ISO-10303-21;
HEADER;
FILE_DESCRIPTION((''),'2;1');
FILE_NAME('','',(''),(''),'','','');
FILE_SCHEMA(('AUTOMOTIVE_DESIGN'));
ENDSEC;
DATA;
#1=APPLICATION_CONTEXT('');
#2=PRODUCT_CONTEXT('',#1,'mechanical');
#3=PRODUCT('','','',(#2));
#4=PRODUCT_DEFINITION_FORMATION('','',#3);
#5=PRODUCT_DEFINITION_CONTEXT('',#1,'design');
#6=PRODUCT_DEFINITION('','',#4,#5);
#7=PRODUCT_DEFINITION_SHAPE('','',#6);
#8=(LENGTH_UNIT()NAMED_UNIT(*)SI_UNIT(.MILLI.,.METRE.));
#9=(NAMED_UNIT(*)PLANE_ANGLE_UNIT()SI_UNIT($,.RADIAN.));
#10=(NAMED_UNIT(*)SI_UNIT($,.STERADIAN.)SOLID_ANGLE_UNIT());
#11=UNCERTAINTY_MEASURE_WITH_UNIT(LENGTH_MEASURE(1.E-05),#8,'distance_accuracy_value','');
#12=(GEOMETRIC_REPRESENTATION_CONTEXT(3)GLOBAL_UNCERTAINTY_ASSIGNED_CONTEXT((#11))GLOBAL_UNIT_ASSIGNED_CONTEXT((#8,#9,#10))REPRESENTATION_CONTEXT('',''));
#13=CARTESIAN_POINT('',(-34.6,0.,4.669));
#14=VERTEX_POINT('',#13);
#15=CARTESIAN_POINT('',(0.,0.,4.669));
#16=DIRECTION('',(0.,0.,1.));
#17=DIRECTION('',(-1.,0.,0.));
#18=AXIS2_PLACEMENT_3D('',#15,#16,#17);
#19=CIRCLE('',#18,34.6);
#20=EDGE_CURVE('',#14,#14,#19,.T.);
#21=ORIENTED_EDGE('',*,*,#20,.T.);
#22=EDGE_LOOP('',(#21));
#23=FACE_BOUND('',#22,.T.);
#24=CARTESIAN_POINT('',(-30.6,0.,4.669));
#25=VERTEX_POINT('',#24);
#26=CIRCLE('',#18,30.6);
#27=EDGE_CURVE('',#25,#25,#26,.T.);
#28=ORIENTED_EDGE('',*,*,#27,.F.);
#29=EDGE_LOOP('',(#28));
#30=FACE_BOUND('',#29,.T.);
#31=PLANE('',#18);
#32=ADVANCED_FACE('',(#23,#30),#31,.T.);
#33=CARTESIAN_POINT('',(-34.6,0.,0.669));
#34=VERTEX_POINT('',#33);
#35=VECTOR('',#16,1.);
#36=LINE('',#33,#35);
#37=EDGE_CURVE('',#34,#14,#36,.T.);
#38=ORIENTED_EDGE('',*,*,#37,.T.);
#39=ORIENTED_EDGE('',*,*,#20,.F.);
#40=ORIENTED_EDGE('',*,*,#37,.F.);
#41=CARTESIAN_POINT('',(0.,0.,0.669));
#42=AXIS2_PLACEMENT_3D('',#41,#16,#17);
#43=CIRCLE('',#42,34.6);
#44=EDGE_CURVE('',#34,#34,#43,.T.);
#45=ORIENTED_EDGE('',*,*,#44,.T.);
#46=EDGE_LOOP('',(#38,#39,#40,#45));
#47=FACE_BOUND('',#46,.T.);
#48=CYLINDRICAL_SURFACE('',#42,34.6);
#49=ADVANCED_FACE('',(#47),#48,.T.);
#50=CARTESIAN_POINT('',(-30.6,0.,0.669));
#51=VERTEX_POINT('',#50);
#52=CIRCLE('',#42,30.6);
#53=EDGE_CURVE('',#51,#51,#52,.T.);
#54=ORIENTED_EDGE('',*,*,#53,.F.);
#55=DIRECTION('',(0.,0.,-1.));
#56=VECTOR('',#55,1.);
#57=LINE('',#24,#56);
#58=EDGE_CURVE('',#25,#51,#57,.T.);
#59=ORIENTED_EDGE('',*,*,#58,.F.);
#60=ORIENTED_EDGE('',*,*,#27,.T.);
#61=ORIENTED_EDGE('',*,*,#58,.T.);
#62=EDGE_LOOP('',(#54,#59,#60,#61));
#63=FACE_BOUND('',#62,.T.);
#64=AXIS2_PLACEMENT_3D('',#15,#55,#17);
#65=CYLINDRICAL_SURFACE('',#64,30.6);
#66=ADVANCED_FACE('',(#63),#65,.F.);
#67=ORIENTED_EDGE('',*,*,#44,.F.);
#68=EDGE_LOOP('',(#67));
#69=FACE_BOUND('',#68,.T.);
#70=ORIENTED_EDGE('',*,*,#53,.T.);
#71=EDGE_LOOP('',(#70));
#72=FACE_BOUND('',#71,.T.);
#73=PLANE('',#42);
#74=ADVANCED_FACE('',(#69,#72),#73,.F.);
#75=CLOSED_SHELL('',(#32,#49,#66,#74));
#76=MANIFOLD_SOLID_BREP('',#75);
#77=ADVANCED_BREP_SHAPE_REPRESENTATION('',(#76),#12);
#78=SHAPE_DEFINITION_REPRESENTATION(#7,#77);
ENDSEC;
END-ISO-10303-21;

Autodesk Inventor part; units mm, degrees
ref_plane "YZ Plane" through (0, 0, 0) normal (1, 0, 0) x (0, 1, 0)
ref_plane "XZ Plane" through (0, 0, 0) normal (0, 1, 0) x (-1, 0, 0)
ref_plane "XY Plane" through (0, 0, 0) normal (0, 0, 1) x (1, 0, 0)
sketch "Szkic1" plane through (0, 0, 0) normal (0, 1, 0) x (-1, 0, 0)
  line L0 (34.6, 4.669) -> (30.6, 4.669)
  line L1 (30.6, 4.669) -> (30.6, 0.669)
  line L2 (30.6, 0.669) -> (34.6, 0.669)
  line L3 (34.6, 0.669) -> (34.6, 4.669)
  line L4 (0, 0) -> (0, 4)
  dimension "d1" = 4
  dimension "d2" = 4
  dimension "d3" = 4
  dimension "d4" = 4
revolve "Obrót1" add sketch "Szkic1" angle 360 about axis through (0, 0, 0) along (0, 0, 1)
properties part number "pierśnień" material "Polietylen o dużej gęstości"
